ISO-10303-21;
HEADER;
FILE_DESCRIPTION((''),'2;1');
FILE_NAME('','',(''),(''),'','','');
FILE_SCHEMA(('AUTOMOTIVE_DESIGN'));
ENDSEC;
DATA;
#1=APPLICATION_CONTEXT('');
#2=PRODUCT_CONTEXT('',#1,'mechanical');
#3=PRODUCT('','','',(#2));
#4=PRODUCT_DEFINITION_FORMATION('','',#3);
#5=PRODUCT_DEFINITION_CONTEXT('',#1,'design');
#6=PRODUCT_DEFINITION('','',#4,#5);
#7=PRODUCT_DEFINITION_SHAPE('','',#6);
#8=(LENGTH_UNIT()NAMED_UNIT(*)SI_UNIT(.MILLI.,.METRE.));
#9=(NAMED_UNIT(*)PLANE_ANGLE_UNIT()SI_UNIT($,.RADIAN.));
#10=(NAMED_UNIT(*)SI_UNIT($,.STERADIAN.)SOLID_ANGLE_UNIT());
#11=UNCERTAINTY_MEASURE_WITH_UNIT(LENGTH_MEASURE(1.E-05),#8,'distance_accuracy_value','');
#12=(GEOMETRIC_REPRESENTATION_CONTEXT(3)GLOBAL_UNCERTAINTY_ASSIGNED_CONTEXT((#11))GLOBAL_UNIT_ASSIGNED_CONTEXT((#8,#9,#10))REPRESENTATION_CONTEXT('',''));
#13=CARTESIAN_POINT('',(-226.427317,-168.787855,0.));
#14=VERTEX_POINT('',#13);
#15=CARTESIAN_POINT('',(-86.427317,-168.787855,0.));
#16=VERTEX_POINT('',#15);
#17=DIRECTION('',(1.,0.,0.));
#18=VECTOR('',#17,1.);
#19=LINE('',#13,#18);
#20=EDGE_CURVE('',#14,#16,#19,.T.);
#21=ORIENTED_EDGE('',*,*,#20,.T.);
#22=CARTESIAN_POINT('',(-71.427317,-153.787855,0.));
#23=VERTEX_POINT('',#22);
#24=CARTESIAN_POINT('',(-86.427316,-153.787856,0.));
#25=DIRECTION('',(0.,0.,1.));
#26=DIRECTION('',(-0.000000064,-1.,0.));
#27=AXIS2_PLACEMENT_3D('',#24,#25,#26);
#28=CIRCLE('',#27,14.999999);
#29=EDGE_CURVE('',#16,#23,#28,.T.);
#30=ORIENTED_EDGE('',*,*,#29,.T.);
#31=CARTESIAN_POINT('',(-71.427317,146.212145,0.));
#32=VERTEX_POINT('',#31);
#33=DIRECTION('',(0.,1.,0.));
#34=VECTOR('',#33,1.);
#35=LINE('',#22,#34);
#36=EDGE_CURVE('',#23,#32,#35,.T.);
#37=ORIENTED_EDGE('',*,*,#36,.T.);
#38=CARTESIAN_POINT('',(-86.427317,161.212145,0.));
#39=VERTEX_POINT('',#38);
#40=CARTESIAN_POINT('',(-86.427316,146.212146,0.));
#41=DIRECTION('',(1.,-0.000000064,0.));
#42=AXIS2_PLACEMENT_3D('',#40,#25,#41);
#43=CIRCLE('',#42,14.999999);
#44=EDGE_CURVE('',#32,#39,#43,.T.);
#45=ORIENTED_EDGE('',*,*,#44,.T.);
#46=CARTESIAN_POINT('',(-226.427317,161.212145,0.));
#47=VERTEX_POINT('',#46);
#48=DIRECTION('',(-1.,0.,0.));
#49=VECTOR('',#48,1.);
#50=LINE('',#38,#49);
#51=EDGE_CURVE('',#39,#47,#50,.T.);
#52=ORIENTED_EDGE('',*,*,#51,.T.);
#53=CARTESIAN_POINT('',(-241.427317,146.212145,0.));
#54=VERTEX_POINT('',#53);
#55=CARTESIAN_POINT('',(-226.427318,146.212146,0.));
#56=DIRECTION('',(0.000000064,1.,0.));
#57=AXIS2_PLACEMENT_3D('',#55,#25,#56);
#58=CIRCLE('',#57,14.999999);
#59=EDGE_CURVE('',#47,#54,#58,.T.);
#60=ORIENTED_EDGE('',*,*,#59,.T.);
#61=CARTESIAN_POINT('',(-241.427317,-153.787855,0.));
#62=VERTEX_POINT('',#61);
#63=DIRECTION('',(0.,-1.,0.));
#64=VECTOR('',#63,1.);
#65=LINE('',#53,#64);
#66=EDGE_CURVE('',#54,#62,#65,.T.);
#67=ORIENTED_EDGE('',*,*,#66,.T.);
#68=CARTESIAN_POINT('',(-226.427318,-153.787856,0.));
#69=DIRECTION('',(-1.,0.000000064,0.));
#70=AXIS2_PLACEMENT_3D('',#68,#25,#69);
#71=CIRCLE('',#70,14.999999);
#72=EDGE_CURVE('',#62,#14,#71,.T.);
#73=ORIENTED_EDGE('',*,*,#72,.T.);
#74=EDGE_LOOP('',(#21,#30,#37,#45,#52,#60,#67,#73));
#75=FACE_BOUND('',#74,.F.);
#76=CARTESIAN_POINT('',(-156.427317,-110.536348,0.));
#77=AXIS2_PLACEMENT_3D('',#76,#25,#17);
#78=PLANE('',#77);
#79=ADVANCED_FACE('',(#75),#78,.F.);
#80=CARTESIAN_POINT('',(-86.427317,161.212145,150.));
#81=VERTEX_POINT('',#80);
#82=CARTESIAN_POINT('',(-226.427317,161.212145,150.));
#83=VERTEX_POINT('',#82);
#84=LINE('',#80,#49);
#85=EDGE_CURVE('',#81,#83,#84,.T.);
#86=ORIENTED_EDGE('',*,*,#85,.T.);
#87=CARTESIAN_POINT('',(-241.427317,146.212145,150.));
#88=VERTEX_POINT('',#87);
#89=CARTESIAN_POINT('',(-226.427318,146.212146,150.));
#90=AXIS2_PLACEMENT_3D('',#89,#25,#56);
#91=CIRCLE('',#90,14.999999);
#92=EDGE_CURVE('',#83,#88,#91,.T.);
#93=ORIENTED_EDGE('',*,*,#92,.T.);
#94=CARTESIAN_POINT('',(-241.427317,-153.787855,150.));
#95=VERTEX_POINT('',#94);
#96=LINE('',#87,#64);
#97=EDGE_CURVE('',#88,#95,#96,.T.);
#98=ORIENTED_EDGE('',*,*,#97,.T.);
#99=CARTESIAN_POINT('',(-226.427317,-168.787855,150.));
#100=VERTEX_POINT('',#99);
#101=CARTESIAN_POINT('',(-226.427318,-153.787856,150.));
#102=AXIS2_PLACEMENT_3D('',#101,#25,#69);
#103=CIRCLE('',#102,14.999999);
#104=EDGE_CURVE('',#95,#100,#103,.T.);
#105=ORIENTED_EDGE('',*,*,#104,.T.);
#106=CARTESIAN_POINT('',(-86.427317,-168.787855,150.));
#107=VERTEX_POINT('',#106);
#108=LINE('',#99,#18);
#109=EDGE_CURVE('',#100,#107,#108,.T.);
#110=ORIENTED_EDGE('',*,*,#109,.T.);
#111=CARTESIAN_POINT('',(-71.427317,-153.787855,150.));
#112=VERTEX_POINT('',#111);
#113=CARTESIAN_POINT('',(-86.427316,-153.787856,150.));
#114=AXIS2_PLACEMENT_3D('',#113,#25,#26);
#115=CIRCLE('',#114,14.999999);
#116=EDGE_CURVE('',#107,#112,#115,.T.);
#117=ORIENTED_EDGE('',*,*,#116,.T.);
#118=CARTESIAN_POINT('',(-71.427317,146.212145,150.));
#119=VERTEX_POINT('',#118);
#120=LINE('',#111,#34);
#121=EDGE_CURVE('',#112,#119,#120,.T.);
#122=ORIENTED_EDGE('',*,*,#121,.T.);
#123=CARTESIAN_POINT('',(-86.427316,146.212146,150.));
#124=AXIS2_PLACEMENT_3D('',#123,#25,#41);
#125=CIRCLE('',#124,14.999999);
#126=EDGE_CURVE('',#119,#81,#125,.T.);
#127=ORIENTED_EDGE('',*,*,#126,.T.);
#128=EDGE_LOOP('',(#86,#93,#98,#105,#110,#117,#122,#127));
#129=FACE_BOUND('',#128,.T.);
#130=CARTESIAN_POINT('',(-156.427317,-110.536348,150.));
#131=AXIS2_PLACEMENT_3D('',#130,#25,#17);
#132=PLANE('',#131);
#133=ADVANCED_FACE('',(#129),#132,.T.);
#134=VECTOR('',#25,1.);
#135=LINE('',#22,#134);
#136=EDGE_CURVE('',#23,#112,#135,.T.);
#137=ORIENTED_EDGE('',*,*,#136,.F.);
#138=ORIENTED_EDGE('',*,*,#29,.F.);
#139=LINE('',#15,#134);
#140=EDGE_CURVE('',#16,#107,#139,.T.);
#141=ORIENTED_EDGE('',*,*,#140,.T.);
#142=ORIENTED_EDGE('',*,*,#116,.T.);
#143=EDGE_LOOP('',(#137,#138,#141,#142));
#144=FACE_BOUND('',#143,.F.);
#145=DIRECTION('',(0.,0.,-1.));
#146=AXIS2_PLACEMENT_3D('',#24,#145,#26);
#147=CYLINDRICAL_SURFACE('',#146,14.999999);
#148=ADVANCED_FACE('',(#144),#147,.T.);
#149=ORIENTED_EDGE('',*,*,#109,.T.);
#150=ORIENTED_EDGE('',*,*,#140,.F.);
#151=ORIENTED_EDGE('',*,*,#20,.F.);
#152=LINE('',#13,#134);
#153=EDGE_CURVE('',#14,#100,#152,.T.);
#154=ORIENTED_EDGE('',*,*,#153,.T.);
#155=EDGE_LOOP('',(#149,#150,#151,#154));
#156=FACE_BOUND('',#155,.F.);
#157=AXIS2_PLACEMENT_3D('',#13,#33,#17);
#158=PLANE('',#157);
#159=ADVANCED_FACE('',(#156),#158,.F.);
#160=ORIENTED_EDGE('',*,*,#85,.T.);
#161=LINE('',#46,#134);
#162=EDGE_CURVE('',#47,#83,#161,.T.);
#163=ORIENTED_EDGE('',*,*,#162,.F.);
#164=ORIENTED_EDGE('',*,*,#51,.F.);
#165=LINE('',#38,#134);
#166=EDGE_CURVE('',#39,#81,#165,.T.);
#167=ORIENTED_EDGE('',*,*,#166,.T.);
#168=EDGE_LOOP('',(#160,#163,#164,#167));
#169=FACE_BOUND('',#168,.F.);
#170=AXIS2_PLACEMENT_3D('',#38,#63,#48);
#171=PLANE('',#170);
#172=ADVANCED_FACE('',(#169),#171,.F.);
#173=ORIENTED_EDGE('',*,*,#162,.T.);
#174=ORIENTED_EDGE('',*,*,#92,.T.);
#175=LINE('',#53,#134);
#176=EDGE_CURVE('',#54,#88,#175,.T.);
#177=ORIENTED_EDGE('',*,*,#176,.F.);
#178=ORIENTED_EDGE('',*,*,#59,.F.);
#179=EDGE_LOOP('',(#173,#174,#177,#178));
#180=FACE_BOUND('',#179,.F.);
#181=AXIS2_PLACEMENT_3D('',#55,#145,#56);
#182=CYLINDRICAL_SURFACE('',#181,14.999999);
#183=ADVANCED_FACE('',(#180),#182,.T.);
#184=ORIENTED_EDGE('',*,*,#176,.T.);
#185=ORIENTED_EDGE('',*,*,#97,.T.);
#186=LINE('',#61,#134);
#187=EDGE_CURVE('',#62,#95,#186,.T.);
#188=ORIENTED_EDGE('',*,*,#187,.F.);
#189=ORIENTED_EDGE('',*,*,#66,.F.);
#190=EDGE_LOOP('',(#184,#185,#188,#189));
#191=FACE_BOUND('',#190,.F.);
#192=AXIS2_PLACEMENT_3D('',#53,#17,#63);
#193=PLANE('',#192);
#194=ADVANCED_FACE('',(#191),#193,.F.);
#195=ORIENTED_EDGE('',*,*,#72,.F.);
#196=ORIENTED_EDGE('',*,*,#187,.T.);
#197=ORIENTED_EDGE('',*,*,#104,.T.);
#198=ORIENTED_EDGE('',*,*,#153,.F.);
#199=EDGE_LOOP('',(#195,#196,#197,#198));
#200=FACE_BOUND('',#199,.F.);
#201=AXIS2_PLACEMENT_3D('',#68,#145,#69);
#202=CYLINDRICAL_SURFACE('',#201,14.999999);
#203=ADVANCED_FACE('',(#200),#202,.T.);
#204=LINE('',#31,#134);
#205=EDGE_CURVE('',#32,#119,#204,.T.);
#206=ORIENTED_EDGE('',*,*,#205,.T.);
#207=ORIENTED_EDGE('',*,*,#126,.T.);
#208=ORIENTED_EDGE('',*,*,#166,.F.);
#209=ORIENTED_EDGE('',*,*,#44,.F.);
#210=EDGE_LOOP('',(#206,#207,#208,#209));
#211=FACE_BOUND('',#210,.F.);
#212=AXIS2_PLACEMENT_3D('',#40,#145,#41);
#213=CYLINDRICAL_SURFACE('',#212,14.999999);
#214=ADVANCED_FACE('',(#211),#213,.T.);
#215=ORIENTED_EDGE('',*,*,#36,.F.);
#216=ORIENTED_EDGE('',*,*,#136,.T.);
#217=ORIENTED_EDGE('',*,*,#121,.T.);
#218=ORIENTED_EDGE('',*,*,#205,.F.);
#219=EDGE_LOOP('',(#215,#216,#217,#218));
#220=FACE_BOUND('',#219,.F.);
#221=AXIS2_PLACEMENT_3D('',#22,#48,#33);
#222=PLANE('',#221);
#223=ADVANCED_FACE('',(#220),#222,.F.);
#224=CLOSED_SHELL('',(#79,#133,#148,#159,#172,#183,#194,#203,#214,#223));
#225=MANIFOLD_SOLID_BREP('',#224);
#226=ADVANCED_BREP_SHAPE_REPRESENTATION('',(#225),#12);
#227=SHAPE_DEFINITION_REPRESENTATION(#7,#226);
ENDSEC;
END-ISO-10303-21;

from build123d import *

# Parameters (mm, degrees)
F0_W     = 170
F0_H     = 112.08073
F1_DEPTH = 150


with BuildPart() as f1:
    # F0 (on Top) → F1 (new body)
    with BuildSketch(Plane.XY):
        with BuildLine():
            Line((-71.427317, -55.177711), (-241.427317, -55.177711))
            Line((-241.427317, -55.177711), (-241.427317, -153.787855))
            ThreePointArc((-241.427317, -153.787855), (-237.033919, -164.394457), (-226.427317, -168.787855))
            Line((-226.427317, -168.787855), (-86.427317, -168.787855))
            ThreePointArc((-86.427317, -168.787855), (-75.820715, -164.394457), (-71.427317, -153.787855))
            Line((-71.427317, -153.787855), (-71.427317, -68.148904))
            Line((-71.427317, -68.148904), (-71.427317, -55.177711))
        make_face()
        with Locations((-156.427317, 0.862654)):
            Rectangle(F0_W, F0_H)
        with BuildLine():
            Line((-86.427317, 161.212145), (-226.427317, 161.212145))
            ThreePointArc((-226.427317, 161.212145), (-237.033919, 156.818747), (-241.427317, 146.212145))
            Line((-241.427317, 146.212145), (-241.427317, 56.903019))
            Line((-241.427317, 56.903019), (-71.427317, 56.903019))
            Line((-71.427317, 56.903019), (-71.427317, 68.148904))
            Line((-71.427317, 68.148904), (-71.427317, 146.212145))
            ThreePointArc((-71.427317, 146.212145), (-75.820715, 156.818747), (-86.427317, 161.212145))
        make_face()
    extrude(amount=F1_DEPTH)


solid = f1.part
